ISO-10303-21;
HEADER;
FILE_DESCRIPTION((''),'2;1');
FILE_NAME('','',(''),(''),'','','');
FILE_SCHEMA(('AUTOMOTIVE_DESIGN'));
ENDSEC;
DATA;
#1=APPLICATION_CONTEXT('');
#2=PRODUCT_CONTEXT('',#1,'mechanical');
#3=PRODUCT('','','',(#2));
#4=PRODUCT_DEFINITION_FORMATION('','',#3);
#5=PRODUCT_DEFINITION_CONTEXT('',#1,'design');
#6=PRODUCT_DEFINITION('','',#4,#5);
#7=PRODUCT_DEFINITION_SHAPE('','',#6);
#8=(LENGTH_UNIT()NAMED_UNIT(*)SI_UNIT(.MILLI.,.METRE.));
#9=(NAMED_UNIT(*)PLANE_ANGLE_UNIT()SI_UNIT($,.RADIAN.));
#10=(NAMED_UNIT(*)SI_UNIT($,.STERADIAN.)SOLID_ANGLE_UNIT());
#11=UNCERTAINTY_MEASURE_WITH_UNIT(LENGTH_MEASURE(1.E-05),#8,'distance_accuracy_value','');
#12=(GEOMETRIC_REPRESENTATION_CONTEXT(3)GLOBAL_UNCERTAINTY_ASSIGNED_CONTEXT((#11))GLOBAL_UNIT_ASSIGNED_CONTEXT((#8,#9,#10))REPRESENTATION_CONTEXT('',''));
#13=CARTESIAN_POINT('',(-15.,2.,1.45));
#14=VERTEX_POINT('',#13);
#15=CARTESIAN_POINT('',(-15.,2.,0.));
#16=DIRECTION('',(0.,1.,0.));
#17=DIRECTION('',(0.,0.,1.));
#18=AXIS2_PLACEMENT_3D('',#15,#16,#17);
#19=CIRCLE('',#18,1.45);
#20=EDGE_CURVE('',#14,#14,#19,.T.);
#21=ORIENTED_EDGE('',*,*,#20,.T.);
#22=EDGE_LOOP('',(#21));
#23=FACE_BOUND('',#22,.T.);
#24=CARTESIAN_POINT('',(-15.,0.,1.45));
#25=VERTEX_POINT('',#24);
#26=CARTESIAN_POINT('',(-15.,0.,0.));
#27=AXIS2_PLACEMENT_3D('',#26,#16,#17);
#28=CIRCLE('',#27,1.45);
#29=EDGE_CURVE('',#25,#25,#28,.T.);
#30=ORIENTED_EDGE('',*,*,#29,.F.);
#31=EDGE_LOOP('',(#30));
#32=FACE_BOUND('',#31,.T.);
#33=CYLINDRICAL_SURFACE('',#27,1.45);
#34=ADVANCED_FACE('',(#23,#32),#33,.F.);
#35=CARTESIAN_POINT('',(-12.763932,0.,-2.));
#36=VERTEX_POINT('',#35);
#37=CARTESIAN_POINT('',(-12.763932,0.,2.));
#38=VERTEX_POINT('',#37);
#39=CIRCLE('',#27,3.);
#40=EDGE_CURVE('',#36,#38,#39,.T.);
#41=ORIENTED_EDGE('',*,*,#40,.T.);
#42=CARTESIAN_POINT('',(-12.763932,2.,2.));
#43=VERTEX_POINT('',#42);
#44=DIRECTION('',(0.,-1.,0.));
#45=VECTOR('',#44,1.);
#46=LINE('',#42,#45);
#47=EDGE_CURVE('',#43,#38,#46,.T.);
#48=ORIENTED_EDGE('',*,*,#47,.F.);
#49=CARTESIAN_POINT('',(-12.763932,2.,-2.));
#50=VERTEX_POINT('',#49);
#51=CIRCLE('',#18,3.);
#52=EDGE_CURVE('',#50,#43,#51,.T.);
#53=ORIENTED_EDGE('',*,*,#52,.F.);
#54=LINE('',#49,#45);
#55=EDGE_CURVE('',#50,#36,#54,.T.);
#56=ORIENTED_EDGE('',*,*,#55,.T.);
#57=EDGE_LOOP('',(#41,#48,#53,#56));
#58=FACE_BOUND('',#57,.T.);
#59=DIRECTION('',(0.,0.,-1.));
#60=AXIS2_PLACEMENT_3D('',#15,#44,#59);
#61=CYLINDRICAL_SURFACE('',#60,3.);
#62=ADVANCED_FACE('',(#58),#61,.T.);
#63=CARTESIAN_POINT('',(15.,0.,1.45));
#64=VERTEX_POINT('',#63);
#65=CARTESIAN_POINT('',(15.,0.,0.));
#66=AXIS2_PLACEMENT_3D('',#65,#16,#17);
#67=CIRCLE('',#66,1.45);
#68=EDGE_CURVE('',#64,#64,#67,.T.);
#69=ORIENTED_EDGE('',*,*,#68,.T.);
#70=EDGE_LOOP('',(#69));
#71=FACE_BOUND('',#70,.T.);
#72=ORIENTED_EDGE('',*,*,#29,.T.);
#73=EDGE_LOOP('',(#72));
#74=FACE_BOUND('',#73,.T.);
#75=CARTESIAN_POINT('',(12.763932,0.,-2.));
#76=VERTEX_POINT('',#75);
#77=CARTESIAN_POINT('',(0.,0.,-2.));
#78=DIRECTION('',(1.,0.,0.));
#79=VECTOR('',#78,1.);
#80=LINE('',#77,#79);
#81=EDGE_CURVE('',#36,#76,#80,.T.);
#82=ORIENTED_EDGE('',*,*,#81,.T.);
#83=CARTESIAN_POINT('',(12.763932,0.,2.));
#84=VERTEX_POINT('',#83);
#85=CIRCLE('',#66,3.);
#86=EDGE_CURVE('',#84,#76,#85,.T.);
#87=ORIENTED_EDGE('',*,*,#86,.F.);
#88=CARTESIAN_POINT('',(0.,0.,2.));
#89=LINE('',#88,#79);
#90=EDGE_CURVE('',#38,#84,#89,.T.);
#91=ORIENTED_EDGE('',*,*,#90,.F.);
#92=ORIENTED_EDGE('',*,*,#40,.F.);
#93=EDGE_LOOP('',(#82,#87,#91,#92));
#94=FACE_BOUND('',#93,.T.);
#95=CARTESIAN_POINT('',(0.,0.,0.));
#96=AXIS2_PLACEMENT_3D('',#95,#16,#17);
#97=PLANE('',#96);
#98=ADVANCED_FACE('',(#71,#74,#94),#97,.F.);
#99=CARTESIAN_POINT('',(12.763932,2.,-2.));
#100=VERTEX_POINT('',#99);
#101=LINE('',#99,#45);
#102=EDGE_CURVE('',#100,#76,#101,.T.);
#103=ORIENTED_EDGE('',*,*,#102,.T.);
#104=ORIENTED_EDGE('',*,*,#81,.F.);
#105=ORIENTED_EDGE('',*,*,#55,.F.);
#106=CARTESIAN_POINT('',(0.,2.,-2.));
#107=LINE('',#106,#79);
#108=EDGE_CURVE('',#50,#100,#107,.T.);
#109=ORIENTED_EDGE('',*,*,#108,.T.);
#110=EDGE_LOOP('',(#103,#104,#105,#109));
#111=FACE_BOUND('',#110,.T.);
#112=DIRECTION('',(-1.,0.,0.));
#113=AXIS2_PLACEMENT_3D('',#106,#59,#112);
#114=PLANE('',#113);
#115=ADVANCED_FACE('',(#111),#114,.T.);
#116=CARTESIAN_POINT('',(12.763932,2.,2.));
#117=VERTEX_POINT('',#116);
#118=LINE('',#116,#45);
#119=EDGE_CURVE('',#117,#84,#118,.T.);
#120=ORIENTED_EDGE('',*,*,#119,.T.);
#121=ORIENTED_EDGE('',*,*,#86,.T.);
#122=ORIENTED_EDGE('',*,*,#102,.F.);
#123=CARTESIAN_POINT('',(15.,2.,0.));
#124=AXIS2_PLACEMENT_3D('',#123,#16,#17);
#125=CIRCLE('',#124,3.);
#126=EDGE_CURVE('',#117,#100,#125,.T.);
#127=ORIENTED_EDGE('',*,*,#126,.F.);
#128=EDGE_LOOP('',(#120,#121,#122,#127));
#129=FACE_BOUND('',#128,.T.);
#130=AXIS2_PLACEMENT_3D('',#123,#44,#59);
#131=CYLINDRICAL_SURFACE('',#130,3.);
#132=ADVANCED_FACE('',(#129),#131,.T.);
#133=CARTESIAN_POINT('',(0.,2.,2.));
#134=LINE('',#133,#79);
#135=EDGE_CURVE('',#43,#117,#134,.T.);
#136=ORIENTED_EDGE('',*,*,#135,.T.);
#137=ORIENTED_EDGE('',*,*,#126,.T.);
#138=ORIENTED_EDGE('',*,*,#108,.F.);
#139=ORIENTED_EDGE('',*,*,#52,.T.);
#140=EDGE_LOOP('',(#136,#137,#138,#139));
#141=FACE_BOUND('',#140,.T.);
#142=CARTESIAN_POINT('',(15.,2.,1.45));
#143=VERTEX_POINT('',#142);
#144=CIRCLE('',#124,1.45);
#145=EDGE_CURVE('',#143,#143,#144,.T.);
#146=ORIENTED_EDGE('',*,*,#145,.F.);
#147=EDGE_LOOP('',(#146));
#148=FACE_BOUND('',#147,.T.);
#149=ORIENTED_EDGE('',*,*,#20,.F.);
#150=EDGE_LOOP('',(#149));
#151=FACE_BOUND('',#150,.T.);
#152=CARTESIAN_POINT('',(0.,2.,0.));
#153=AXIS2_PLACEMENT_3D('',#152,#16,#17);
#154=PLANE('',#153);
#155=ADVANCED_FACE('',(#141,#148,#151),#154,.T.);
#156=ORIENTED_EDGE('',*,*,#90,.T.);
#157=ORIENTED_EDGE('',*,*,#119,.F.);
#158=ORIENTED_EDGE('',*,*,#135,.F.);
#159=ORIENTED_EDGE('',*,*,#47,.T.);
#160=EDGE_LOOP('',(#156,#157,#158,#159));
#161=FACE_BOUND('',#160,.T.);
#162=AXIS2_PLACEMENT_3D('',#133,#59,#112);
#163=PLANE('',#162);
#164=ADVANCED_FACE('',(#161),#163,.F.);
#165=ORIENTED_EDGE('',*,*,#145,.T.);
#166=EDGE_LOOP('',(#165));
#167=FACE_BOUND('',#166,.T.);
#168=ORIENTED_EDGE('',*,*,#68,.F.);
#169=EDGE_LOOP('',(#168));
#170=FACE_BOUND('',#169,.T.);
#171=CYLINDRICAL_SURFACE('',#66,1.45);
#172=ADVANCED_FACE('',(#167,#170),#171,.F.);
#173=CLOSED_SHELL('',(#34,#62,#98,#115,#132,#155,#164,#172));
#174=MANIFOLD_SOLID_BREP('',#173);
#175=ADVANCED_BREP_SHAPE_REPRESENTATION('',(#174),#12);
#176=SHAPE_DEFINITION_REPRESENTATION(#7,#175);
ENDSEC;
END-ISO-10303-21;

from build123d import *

# Parameters (mm, degrees)
SALIENTE_EXTRUIR1_DEPTH = 2
CROQUIS_BARRENOS_R      = 1.45
CORTAR_EXTRUIR1_DEPTH   = 2


with BuildPart() as part:
    # Croquis base → Saliente-Extruir1 (new body)
    with BuildSketch(Plane(origin=(0, 0, 0), x_dir=(1, 0, 0), z_dir=(0, 1, 0))):
        with BuildLine():
            Line((12.763932023, 2), (-12.763932023, 2))
            ThreePointArc((-12.763932023, 2), (-13.775255129, 2.738612788), (-15, 3))
            ThreePointArc((-15, 3), (-18, 0), (-15, -3))
            ThreePointArc((-15, -3), (-13.775255129, -2.738612788), (-12.763932023, -2))
            Line((-12.763932023, -2), (12.763932023, -2))
            ThreePointArc((12.763932023, -2), (13.775255129, -2.738612788), (15, -3))
            ThreePointArc((15, -3), (18, 0), (15, 3))
            ThreePointArc((15, 3), (13.775255129, 2.738612788), (12.763932023, 2))
        make_face()
    extrude(amount=SALIENTE_EXTRUIR1_DEPTH)

    # Croquis barrenos → Cortar-Extruir1 (cut)
    with BuildSketch(Plane(origin=(0, 2, 0), x_dir=(1, 0, 0), z_dir=(0, 1, 0))):
        with Locations(Location((-15, 0, 0), (0, 0, 270))):
            Circle(CROQUIS_BARRENOS_R)
        with Locations(Location((15, 0, 0), (0, 0, 270))):
            Circle(CROQUIS_BARRENOS_R)
    extrude(amount=-CORTAR_EXTRUIR1_DEPTH, mode=Mode.SUBTRACT)


solid = part.part
